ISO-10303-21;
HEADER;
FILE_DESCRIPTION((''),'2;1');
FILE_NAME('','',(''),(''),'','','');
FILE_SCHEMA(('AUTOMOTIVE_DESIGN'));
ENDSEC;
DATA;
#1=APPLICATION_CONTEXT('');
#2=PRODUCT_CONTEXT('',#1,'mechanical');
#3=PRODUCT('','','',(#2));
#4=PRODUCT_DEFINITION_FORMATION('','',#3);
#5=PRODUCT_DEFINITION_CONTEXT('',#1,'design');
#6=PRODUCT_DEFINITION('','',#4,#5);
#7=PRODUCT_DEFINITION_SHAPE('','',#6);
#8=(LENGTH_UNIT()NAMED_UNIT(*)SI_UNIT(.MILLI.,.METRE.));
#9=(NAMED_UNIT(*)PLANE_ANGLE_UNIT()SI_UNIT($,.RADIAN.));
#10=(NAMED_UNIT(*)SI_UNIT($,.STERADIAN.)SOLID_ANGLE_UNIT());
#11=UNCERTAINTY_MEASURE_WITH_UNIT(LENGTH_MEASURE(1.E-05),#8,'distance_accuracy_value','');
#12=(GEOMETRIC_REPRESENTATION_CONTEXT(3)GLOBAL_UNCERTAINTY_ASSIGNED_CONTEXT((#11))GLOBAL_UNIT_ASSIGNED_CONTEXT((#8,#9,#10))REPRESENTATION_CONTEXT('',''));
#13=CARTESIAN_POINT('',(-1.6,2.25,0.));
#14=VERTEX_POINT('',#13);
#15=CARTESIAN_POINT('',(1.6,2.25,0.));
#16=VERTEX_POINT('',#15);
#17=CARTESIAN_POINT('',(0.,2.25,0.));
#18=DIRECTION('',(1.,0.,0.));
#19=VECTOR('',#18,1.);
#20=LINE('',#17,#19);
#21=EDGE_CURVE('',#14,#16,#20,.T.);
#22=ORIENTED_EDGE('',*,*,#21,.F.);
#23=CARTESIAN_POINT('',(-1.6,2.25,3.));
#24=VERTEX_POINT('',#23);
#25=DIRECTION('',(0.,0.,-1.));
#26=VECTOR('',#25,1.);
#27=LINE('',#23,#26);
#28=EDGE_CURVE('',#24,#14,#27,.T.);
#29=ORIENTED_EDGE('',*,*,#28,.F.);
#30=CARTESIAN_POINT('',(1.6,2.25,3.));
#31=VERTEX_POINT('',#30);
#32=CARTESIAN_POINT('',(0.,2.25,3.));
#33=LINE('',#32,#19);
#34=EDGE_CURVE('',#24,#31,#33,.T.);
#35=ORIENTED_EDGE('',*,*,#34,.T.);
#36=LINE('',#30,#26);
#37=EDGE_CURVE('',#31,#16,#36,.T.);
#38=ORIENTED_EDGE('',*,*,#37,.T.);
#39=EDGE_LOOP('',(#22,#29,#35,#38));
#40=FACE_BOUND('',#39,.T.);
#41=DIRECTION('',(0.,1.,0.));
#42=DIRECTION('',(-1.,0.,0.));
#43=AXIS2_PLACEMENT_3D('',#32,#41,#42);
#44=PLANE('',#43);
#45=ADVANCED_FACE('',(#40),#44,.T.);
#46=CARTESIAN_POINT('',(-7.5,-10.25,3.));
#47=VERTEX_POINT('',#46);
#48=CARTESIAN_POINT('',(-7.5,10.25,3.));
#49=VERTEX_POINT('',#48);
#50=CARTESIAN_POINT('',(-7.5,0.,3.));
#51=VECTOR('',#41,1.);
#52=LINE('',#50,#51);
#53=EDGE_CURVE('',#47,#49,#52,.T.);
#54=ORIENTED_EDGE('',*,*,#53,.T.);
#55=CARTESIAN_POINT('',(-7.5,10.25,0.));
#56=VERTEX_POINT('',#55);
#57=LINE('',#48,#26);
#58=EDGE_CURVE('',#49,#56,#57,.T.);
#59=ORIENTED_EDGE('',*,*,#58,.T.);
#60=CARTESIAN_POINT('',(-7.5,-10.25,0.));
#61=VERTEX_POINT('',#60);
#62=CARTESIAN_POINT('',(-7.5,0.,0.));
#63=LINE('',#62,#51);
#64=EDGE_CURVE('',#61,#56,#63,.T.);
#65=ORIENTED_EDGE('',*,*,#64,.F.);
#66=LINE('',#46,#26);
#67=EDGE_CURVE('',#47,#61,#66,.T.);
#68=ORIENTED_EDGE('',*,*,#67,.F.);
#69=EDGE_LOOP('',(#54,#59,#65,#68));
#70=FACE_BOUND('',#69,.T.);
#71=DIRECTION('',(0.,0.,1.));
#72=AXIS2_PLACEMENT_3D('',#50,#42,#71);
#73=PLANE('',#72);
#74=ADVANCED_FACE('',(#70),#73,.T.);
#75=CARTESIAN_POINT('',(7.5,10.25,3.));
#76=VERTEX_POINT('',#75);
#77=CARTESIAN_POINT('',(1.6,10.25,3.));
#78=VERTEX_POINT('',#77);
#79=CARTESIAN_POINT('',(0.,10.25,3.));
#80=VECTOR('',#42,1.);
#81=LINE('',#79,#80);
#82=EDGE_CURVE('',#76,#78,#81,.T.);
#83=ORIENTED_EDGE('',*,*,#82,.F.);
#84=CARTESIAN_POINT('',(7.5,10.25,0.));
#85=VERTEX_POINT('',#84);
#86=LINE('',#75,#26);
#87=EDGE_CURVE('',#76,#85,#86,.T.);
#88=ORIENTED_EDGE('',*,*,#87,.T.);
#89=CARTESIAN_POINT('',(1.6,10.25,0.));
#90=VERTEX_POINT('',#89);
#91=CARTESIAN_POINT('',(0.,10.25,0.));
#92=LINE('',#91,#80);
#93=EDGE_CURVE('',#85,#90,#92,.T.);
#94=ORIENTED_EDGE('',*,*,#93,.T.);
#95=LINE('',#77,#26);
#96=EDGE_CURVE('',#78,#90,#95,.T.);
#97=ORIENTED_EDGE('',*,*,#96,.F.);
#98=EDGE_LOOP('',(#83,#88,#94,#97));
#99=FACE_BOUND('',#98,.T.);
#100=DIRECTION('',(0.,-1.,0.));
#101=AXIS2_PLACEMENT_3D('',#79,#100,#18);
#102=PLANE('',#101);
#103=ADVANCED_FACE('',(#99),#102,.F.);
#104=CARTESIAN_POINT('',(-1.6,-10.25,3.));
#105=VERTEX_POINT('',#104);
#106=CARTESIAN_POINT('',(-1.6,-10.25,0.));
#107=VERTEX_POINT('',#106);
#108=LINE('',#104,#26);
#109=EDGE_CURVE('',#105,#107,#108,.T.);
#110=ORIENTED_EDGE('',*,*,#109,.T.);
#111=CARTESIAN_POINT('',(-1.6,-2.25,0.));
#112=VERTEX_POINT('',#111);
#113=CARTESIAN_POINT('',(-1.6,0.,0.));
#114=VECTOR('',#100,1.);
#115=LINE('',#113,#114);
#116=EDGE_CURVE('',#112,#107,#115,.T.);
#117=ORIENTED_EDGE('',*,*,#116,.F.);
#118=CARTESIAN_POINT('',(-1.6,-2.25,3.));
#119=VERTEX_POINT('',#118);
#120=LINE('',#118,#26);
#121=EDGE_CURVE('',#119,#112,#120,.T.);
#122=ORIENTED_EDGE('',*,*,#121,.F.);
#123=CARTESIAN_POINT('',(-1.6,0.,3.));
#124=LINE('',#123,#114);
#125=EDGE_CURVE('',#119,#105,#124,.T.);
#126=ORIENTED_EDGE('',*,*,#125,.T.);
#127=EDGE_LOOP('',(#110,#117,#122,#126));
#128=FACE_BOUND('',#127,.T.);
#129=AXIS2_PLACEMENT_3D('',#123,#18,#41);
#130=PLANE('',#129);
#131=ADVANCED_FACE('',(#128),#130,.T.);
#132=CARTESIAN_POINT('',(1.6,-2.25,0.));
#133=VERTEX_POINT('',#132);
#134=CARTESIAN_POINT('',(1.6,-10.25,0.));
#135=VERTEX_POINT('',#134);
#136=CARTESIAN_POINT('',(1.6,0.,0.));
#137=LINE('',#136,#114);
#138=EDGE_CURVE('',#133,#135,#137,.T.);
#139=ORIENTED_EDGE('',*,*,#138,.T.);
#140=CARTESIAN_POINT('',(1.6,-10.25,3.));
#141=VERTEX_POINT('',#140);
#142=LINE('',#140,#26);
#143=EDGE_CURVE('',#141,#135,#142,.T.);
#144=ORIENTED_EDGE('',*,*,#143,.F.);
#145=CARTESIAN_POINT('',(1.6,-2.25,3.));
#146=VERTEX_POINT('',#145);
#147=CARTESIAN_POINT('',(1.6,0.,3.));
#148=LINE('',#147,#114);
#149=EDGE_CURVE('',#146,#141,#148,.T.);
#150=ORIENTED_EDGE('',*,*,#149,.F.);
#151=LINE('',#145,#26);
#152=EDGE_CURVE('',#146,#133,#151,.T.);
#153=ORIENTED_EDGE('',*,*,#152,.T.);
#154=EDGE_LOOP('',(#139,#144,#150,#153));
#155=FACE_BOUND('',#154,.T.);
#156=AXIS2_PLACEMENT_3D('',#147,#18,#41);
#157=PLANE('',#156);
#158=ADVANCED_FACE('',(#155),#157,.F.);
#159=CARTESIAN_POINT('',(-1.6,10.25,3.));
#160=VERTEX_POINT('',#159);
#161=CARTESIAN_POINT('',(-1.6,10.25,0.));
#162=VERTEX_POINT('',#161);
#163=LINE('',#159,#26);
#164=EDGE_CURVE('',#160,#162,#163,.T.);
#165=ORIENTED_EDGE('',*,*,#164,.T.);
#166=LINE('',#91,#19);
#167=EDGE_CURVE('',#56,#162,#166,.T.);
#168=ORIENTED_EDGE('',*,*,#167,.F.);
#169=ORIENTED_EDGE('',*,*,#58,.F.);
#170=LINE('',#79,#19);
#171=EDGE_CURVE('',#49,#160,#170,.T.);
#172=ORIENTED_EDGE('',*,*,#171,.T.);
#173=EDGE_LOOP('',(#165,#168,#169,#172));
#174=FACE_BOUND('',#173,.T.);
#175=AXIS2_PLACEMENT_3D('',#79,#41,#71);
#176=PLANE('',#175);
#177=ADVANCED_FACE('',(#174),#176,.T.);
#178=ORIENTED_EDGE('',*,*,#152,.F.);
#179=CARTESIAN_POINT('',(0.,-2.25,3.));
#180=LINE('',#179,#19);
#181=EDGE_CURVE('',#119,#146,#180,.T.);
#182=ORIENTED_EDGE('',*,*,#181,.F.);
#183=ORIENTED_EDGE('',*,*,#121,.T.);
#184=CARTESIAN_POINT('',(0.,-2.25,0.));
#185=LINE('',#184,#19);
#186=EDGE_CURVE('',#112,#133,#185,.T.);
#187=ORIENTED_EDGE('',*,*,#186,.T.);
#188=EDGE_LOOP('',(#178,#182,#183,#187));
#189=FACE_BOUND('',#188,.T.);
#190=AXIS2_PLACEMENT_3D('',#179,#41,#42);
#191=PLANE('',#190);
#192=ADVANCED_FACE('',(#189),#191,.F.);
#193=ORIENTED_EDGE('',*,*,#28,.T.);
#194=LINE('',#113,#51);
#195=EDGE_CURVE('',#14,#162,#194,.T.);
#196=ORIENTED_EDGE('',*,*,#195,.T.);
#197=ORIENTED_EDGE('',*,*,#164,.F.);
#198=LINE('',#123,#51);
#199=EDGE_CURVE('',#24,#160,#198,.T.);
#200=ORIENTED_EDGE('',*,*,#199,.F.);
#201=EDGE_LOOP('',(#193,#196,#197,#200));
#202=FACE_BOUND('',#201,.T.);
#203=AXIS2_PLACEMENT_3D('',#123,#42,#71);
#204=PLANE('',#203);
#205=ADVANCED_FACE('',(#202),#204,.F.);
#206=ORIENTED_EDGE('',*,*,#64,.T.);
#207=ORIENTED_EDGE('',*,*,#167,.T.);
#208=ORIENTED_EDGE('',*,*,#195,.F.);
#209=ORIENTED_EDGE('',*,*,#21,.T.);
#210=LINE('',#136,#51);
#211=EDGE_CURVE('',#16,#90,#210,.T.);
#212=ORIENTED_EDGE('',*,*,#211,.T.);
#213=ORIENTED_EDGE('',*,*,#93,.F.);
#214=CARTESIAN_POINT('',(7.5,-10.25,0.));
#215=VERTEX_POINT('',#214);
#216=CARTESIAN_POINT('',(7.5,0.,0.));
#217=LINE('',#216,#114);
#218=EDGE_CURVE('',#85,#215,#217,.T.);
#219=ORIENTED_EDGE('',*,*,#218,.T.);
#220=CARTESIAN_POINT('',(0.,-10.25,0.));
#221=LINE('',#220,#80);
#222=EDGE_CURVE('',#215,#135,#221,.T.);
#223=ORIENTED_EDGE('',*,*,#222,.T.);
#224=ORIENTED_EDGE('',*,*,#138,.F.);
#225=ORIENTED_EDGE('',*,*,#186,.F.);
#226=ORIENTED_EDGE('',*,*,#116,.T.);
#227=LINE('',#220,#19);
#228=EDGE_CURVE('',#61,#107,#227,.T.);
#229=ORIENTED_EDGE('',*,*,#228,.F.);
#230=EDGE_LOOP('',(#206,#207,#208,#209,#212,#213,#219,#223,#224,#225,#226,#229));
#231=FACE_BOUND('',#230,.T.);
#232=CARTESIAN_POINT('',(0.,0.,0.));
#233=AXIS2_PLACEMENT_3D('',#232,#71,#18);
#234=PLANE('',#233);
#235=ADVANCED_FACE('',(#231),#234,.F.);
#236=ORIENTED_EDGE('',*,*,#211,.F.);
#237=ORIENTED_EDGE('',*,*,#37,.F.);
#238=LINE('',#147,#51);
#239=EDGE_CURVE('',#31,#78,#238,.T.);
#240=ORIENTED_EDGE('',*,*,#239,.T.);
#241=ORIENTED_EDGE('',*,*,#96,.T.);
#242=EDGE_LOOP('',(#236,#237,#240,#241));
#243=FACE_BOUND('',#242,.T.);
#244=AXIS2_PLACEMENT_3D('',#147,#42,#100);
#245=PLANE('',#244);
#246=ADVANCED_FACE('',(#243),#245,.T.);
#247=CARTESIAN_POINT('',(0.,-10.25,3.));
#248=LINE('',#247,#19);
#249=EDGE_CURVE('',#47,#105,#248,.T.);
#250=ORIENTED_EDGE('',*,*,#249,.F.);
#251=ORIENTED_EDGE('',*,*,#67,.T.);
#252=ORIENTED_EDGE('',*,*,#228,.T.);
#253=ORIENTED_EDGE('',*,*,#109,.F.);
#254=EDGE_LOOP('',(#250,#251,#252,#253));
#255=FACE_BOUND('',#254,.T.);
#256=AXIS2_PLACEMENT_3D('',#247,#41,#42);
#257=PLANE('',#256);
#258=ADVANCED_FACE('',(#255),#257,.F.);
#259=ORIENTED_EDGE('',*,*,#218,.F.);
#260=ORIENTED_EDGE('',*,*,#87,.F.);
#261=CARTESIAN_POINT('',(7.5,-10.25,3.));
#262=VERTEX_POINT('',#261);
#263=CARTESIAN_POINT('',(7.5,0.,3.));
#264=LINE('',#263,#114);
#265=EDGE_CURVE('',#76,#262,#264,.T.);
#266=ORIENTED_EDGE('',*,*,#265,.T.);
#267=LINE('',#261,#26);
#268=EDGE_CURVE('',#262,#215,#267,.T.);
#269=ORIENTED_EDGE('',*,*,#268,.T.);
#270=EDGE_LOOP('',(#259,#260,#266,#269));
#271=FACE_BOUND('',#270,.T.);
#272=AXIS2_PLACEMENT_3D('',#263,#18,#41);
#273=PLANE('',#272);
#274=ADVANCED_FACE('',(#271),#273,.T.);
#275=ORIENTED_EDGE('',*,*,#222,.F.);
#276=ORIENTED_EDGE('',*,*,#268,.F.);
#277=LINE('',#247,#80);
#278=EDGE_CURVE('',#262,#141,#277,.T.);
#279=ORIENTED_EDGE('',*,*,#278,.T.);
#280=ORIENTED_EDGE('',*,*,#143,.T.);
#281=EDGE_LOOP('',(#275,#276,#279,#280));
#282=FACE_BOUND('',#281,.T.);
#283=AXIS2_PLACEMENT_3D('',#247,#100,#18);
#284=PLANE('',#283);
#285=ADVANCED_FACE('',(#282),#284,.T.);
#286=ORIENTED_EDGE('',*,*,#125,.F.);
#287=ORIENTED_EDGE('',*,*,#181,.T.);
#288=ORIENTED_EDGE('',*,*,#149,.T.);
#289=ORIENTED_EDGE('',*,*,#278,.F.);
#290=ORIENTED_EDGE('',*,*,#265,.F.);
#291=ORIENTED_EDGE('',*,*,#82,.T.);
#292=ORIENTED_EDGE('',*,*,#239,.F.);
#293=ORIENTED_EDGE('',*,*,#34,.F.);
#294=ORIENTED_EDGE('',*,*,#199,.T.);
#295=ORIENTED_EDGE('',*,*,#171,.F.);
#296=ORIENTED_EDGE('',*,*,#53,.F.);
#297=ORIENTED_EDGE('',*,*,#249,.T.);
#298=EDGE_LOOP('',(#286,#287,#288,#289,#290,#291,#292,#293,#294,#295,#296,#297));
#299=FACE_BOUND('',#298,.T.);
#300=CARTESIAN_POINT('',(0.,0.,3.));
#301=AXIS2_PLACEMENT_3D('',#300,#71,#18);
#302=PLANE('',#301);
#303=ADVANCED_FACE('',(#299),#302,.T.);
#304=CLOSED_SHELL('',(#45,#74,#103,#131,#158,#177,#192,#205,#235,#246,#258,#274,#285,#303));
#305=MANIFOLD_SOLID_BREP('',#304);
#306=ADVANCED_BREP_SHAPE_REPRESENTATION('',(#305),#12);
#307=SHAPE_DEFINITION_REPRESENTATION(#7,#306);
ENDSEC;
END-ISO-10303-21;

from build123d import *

# Parameters (mm, degrees)
CROQUIS1_W              = 5.9
CROQUIS1_H              = 8
CROQUIS1_W_2            = 15
CROQUIS1_H_2            = 4.5
SALIENTE_EXTRUIR1_DEPTH = 3


with BuildPart() as part:
    # Croquis1 → Saliente-Extruir1 (new body)
    with BuildSketch(Plane.XY):
        with Locations((-4.55, 6.25)):
            Rectangle(CROQUIS1_W, CROQUIS1_H)
        with Locations((4.55, 6.25)):
            Rectangle(CROQUIS1_W, CROQUIS1_H)
        Rectangle(CROQUIS1_W_2, CROQUIS1_H_2)
        with Locations((4.55, -6.25)):
            Rectangle(CROQUIS1_W, CROQUIS1_H)
        with Locations((-4.55, -6.25)):
            Rectangle(CROQUIS1_W, CROQUIS1_H)
    extrude(amount=SALIENTE_EXTRUIR1_DEPTH)


solid = part.part
